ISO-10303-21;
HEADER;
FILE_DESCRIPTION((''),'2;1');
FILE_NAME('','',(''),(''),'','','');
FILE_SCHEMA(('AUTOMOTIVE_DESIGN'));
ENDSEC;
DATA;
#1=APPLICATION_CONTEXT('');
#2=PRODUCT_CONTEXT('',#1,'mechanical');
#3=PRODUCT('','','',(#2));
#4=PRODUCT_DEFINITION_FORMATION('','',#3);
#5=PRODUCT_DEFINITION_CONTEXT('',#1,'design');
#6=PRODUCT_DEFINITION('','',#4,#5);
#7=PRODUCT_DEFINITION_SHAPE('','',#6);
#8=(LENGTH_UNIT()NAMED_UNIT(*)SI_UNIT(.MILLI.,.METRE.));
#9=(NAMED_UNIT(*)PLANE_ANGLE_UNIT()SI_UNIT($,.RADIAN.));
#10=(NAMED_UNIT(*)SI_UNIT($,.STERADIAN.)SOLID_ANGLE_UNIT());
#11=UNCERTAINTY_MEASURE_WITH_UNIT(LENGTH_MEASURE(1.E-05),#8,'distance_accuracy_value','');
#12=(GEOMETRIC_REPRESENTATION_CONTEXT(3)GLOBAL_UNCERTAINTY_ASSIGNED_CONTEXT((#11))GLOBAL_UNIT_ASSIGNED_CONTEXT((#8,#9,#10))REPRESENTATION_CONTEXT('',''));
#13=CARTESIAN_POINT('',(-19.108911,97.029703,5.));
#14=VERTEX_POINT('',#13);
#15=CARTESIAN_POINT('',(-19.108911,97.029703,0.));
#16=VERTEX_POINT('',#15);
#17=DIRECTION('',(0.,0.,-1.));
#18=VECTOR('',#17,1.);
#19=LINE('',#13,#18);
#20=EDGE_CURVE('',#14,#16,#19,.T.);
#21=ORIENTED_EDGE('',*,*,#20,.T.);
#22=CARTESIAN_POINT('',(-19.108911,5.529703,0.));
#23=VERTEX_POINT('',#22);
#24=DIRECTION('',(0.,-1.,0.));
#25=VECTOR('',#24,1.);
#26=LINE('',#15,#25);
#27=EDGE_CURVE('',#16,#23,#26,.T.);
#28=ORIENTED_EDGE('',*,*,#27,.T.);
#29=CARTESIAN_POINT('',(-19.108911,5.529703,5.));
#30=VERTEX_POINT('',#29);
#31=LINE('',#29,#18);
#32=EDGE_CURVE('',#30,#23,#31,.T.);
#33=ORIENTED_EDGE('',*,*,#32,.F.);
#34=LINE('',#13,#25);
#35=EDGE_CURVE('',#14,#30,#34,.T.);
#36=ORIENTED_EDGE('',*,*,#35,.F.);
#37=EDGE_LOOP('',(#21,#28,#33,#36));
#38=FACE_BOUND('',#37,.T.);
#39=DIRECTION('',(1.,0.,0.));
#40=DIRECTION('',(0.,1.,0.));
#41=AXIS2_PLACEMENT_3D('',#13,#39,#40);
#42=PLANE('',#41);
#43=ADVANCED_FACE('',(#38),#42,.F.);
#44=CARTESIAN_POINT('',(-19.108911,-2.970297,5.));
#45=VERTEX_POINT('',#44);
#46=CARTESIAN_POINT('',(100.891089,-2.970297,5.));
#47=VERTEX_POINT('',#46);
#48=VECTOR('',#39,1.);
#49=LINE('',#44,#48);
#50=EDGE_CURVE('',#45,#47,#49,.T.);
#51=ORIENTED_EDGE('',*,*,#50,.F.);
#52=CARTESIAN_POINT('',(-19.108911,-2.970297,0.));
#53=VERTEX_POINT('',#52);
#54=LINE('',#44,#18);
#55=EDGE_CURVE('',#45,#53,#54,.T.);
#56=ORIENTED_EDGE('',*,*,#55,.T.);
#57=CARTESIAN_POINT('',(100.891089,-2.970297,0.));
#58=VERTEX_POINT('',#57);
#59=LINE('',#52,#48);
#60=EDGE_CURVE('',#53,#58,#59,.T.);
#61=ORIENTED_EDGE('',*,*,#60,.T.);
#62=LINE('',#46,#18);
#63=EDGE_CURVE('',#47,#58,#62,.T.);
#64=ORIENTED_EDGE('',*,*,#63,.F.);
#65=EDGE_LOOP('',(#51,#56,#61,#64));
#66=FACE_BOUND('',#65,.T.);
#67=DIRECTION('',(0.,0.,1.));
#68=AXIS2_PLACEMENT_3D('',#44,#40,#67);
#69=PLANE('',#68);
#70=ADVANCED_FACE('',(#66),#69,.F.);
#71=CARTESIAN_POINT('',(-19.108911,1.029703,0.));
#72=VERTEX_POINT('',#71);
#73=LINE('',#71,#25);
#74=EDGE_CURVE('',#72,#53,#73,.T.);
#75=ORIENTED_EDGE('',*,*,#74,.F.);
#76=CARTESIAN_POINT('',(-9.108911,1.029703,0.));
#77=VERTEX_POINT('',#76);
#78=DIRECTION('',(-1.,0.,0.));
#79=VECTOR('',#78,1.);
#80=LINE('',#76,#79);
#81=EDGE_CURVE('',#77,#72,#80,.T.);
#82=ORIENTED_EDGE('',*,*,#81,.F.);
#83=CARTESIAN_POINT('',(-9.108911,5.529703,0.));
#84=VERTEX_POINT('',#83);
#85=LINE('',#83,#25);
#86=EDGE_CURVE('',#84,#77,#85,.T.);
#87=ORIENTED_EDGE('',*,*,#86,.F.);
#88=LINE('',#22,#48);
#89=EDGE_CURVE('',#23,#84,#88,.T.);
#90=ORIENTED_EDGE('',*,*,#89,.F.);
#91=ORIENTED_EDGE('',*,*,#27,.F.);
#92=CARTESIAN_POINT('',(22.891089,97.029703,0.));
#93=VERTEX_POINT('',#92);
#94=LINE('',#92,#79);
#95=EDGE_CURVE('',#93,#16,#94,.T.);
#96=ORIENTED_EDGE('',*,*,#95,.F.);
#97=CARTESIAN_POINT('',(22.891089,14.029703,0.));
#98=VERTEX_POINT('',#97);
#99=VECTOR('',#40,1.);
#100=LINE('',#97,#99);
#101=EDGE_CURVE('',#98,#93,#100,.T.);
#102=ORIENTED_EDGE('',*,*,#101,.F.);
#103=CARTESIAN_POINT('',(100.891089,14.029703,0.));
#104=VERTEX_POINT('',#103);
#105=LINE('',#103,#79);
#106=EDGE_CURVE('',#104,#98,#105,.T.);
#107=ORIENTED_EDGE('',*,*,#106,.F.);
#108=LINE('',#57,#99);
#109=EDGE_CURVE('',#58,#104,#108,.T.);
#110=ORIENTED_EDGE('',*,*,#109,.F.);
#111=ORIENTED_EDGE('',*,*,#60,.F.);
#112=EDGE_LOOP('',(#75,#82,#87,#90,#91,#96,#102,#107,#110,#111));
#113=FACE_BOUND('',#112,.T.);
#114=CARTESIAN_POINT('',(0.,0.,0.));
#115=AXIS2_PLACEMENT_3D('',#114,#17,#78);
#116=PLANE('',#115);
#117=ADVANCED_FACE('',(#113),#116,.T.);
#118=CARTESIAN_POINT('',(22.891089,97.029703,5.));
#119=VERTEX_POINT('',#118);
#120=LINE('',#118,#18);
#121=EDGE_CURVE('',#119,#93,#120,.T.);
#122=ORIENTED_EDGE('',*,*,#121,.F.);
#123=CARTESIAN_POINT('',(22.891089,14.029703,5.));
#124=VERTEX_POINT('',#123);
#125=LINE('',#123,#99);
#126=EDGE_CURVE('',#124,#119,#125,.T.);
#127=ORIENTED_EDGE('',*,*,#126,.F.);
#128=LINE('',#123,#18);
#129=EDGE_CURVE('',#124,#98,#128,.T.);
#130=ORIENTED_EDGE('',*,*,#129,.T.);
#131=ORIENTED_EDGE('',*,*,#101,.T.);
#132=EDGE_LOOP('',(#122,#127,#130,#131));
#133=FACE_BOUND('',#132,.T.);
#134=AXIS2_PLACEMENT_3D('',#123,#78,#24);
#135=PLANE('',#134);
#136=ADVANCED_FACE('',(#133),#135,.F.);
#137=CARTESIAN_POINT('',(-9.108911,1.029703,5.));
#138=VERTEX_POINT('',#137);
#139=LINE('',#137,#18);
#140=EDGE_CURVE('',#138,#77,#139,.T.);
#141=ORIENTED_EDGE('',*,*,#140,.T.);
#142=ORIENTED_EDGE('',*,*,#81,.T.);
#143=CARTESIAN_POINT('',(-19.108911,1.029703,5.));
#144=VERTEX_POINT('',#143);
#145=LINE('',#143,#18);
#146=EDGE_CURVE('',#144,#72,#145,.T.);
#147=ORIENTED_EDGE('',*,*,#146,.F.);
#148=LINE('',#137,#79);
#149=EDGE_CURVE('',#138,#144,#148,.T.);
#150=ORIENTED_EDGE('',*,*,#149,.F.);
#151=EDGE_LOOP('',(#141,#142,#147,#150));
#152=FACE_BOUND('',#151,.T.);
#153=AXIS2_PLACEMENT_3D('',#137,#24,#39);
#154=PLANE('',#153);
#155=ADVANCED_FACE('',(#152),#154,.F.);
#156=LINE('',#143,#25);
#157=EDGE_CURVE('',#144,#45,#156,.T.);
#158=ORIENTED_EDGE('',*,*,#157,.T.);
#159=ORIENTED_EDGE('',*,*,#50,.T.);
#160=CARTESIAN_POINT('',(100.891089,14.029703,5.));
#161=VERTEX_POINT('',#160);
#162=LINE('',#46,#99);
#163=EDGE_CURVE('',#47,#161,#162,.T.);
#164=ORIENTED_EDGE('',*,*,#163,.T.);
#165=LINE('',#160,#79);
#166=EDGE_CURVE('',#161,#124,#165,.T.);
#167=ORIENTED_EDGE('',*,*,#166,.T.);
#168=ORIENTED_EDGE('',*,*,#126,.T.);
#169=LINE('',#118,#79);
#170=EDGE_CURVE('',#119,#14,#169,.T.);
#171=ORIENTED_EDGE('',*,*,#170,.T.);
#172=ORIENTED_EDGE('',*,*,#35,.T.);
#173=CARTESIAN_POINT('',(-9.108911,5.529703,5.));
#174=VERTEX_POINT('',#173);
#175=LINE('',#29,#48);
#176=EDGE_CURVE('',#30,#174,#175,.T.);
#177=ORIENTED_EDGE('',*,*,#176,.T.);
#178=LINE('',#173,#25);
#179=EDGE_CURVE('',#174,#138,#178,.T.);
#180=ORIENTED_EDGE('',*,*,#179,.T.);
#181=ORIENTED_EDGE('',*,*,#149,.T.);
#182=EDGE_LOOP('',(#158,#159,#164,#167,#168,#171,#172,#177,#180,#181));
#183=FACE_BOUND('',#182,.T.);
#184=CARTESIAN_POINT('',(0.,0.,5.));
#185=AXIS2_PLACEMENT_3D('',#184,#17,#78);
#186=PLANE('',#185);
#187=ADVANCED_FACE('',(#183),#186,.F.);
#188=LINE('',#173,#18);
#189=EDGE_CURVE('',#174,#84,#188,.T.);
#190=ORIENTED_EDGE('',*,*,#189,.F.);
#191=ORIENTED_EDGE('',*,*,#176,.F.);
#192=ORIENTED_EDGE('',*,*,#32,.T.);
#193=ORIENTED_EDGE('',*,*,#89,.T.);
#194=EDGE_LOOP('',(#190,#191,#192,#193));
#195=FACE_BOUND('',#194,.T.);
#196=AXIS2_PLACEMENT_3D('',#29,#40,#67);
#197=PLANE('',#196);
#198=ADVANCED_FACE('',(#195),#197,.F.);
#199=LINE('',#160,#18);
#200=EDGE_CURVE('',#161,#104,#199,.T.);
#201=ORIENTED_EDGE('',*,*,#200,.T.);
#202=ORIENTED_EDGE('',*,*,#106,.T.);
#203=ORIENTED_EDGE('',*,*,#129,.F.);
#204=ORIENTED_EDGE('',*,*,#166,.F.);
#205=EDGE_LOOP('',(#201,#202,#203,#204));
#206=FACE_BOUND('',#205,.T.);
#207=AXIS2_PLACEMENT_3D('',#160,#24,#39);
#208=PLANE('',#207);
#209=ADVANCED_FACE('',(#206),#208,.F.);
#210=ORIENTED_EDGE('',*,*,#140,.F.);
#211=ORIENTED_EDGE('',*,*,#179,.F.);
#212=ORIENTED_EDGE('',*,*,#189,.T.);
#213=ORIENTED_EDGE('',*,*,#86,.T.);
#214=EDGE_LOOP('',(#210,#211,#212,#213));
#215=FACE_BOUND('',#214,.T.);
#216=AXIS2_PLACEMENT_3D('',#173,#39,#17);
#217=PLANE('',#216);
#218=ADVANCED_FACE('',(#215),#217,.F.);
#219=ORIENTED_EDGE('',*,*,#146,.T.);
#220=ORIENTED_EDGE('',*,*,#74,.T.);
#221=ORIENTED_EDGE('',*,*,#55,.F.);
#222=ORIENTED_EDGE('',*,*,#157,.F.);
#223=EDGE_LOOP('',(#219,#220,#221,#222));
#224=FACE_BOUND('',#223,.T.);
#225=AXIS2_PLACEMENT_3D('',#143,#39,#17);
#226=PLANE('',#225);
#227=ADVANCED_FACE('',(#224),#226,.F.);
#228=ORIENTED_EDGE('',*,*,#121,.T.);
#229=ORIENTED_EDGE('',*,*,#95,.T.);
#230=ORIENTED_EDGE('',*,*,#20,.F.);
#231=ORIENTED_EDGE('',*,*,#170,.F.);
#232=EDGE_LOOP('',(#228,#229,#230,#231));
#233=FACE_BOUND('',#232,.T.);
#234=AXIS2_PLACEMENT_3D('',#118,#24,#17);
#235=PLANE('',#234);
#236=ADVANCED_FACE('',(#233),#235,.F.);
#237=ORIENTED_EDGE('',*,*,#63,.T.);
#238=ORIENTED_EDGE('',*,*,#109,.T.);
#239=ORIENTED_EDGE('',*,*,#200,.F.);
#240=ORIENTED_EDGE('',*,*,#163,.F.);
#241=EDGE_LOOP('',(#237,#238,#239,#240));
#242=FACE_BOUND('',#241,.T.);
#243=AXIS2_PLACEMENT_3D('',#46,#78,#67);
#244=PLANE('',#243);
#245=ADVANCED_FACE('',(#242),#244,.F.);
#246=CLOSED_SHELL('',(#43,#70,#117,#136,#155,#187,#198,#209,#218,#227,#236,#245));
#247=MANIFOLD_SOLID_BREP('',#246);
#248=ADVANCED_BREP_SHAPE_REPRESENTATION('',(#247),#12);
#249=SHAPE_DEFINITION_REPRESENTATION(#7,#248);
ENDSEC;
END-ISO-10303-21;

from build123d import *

# Parameters (mm, degrees)
AUFSATZ_LINEAR_AUSTRAGEN1_DEPTH = 5


with BuildPart() as part:
    # Skizze1 → Aufsatz-Linear austragen1 (new body)
    with BuildSketch(Plane.XY):
        Polygon((-9.108910891, 5.52970297), (-9.108910891, 1.02970297), (-19.108910891, 1.02970297), (-19.108910891, -2.97029703), (100.891089109, -2.97029703), (100.891089109, 14.02970297), (22.891089109, 14.02970297), (22.891089109, 97.02970297), (-19.108910891, 97.02970297), (-19.108910891, 5.52970297), align=None)
    extrude(amount=AUFSATZ_LINEAR_AUSTRAGEN1_DEPTH)


solid = part.part
